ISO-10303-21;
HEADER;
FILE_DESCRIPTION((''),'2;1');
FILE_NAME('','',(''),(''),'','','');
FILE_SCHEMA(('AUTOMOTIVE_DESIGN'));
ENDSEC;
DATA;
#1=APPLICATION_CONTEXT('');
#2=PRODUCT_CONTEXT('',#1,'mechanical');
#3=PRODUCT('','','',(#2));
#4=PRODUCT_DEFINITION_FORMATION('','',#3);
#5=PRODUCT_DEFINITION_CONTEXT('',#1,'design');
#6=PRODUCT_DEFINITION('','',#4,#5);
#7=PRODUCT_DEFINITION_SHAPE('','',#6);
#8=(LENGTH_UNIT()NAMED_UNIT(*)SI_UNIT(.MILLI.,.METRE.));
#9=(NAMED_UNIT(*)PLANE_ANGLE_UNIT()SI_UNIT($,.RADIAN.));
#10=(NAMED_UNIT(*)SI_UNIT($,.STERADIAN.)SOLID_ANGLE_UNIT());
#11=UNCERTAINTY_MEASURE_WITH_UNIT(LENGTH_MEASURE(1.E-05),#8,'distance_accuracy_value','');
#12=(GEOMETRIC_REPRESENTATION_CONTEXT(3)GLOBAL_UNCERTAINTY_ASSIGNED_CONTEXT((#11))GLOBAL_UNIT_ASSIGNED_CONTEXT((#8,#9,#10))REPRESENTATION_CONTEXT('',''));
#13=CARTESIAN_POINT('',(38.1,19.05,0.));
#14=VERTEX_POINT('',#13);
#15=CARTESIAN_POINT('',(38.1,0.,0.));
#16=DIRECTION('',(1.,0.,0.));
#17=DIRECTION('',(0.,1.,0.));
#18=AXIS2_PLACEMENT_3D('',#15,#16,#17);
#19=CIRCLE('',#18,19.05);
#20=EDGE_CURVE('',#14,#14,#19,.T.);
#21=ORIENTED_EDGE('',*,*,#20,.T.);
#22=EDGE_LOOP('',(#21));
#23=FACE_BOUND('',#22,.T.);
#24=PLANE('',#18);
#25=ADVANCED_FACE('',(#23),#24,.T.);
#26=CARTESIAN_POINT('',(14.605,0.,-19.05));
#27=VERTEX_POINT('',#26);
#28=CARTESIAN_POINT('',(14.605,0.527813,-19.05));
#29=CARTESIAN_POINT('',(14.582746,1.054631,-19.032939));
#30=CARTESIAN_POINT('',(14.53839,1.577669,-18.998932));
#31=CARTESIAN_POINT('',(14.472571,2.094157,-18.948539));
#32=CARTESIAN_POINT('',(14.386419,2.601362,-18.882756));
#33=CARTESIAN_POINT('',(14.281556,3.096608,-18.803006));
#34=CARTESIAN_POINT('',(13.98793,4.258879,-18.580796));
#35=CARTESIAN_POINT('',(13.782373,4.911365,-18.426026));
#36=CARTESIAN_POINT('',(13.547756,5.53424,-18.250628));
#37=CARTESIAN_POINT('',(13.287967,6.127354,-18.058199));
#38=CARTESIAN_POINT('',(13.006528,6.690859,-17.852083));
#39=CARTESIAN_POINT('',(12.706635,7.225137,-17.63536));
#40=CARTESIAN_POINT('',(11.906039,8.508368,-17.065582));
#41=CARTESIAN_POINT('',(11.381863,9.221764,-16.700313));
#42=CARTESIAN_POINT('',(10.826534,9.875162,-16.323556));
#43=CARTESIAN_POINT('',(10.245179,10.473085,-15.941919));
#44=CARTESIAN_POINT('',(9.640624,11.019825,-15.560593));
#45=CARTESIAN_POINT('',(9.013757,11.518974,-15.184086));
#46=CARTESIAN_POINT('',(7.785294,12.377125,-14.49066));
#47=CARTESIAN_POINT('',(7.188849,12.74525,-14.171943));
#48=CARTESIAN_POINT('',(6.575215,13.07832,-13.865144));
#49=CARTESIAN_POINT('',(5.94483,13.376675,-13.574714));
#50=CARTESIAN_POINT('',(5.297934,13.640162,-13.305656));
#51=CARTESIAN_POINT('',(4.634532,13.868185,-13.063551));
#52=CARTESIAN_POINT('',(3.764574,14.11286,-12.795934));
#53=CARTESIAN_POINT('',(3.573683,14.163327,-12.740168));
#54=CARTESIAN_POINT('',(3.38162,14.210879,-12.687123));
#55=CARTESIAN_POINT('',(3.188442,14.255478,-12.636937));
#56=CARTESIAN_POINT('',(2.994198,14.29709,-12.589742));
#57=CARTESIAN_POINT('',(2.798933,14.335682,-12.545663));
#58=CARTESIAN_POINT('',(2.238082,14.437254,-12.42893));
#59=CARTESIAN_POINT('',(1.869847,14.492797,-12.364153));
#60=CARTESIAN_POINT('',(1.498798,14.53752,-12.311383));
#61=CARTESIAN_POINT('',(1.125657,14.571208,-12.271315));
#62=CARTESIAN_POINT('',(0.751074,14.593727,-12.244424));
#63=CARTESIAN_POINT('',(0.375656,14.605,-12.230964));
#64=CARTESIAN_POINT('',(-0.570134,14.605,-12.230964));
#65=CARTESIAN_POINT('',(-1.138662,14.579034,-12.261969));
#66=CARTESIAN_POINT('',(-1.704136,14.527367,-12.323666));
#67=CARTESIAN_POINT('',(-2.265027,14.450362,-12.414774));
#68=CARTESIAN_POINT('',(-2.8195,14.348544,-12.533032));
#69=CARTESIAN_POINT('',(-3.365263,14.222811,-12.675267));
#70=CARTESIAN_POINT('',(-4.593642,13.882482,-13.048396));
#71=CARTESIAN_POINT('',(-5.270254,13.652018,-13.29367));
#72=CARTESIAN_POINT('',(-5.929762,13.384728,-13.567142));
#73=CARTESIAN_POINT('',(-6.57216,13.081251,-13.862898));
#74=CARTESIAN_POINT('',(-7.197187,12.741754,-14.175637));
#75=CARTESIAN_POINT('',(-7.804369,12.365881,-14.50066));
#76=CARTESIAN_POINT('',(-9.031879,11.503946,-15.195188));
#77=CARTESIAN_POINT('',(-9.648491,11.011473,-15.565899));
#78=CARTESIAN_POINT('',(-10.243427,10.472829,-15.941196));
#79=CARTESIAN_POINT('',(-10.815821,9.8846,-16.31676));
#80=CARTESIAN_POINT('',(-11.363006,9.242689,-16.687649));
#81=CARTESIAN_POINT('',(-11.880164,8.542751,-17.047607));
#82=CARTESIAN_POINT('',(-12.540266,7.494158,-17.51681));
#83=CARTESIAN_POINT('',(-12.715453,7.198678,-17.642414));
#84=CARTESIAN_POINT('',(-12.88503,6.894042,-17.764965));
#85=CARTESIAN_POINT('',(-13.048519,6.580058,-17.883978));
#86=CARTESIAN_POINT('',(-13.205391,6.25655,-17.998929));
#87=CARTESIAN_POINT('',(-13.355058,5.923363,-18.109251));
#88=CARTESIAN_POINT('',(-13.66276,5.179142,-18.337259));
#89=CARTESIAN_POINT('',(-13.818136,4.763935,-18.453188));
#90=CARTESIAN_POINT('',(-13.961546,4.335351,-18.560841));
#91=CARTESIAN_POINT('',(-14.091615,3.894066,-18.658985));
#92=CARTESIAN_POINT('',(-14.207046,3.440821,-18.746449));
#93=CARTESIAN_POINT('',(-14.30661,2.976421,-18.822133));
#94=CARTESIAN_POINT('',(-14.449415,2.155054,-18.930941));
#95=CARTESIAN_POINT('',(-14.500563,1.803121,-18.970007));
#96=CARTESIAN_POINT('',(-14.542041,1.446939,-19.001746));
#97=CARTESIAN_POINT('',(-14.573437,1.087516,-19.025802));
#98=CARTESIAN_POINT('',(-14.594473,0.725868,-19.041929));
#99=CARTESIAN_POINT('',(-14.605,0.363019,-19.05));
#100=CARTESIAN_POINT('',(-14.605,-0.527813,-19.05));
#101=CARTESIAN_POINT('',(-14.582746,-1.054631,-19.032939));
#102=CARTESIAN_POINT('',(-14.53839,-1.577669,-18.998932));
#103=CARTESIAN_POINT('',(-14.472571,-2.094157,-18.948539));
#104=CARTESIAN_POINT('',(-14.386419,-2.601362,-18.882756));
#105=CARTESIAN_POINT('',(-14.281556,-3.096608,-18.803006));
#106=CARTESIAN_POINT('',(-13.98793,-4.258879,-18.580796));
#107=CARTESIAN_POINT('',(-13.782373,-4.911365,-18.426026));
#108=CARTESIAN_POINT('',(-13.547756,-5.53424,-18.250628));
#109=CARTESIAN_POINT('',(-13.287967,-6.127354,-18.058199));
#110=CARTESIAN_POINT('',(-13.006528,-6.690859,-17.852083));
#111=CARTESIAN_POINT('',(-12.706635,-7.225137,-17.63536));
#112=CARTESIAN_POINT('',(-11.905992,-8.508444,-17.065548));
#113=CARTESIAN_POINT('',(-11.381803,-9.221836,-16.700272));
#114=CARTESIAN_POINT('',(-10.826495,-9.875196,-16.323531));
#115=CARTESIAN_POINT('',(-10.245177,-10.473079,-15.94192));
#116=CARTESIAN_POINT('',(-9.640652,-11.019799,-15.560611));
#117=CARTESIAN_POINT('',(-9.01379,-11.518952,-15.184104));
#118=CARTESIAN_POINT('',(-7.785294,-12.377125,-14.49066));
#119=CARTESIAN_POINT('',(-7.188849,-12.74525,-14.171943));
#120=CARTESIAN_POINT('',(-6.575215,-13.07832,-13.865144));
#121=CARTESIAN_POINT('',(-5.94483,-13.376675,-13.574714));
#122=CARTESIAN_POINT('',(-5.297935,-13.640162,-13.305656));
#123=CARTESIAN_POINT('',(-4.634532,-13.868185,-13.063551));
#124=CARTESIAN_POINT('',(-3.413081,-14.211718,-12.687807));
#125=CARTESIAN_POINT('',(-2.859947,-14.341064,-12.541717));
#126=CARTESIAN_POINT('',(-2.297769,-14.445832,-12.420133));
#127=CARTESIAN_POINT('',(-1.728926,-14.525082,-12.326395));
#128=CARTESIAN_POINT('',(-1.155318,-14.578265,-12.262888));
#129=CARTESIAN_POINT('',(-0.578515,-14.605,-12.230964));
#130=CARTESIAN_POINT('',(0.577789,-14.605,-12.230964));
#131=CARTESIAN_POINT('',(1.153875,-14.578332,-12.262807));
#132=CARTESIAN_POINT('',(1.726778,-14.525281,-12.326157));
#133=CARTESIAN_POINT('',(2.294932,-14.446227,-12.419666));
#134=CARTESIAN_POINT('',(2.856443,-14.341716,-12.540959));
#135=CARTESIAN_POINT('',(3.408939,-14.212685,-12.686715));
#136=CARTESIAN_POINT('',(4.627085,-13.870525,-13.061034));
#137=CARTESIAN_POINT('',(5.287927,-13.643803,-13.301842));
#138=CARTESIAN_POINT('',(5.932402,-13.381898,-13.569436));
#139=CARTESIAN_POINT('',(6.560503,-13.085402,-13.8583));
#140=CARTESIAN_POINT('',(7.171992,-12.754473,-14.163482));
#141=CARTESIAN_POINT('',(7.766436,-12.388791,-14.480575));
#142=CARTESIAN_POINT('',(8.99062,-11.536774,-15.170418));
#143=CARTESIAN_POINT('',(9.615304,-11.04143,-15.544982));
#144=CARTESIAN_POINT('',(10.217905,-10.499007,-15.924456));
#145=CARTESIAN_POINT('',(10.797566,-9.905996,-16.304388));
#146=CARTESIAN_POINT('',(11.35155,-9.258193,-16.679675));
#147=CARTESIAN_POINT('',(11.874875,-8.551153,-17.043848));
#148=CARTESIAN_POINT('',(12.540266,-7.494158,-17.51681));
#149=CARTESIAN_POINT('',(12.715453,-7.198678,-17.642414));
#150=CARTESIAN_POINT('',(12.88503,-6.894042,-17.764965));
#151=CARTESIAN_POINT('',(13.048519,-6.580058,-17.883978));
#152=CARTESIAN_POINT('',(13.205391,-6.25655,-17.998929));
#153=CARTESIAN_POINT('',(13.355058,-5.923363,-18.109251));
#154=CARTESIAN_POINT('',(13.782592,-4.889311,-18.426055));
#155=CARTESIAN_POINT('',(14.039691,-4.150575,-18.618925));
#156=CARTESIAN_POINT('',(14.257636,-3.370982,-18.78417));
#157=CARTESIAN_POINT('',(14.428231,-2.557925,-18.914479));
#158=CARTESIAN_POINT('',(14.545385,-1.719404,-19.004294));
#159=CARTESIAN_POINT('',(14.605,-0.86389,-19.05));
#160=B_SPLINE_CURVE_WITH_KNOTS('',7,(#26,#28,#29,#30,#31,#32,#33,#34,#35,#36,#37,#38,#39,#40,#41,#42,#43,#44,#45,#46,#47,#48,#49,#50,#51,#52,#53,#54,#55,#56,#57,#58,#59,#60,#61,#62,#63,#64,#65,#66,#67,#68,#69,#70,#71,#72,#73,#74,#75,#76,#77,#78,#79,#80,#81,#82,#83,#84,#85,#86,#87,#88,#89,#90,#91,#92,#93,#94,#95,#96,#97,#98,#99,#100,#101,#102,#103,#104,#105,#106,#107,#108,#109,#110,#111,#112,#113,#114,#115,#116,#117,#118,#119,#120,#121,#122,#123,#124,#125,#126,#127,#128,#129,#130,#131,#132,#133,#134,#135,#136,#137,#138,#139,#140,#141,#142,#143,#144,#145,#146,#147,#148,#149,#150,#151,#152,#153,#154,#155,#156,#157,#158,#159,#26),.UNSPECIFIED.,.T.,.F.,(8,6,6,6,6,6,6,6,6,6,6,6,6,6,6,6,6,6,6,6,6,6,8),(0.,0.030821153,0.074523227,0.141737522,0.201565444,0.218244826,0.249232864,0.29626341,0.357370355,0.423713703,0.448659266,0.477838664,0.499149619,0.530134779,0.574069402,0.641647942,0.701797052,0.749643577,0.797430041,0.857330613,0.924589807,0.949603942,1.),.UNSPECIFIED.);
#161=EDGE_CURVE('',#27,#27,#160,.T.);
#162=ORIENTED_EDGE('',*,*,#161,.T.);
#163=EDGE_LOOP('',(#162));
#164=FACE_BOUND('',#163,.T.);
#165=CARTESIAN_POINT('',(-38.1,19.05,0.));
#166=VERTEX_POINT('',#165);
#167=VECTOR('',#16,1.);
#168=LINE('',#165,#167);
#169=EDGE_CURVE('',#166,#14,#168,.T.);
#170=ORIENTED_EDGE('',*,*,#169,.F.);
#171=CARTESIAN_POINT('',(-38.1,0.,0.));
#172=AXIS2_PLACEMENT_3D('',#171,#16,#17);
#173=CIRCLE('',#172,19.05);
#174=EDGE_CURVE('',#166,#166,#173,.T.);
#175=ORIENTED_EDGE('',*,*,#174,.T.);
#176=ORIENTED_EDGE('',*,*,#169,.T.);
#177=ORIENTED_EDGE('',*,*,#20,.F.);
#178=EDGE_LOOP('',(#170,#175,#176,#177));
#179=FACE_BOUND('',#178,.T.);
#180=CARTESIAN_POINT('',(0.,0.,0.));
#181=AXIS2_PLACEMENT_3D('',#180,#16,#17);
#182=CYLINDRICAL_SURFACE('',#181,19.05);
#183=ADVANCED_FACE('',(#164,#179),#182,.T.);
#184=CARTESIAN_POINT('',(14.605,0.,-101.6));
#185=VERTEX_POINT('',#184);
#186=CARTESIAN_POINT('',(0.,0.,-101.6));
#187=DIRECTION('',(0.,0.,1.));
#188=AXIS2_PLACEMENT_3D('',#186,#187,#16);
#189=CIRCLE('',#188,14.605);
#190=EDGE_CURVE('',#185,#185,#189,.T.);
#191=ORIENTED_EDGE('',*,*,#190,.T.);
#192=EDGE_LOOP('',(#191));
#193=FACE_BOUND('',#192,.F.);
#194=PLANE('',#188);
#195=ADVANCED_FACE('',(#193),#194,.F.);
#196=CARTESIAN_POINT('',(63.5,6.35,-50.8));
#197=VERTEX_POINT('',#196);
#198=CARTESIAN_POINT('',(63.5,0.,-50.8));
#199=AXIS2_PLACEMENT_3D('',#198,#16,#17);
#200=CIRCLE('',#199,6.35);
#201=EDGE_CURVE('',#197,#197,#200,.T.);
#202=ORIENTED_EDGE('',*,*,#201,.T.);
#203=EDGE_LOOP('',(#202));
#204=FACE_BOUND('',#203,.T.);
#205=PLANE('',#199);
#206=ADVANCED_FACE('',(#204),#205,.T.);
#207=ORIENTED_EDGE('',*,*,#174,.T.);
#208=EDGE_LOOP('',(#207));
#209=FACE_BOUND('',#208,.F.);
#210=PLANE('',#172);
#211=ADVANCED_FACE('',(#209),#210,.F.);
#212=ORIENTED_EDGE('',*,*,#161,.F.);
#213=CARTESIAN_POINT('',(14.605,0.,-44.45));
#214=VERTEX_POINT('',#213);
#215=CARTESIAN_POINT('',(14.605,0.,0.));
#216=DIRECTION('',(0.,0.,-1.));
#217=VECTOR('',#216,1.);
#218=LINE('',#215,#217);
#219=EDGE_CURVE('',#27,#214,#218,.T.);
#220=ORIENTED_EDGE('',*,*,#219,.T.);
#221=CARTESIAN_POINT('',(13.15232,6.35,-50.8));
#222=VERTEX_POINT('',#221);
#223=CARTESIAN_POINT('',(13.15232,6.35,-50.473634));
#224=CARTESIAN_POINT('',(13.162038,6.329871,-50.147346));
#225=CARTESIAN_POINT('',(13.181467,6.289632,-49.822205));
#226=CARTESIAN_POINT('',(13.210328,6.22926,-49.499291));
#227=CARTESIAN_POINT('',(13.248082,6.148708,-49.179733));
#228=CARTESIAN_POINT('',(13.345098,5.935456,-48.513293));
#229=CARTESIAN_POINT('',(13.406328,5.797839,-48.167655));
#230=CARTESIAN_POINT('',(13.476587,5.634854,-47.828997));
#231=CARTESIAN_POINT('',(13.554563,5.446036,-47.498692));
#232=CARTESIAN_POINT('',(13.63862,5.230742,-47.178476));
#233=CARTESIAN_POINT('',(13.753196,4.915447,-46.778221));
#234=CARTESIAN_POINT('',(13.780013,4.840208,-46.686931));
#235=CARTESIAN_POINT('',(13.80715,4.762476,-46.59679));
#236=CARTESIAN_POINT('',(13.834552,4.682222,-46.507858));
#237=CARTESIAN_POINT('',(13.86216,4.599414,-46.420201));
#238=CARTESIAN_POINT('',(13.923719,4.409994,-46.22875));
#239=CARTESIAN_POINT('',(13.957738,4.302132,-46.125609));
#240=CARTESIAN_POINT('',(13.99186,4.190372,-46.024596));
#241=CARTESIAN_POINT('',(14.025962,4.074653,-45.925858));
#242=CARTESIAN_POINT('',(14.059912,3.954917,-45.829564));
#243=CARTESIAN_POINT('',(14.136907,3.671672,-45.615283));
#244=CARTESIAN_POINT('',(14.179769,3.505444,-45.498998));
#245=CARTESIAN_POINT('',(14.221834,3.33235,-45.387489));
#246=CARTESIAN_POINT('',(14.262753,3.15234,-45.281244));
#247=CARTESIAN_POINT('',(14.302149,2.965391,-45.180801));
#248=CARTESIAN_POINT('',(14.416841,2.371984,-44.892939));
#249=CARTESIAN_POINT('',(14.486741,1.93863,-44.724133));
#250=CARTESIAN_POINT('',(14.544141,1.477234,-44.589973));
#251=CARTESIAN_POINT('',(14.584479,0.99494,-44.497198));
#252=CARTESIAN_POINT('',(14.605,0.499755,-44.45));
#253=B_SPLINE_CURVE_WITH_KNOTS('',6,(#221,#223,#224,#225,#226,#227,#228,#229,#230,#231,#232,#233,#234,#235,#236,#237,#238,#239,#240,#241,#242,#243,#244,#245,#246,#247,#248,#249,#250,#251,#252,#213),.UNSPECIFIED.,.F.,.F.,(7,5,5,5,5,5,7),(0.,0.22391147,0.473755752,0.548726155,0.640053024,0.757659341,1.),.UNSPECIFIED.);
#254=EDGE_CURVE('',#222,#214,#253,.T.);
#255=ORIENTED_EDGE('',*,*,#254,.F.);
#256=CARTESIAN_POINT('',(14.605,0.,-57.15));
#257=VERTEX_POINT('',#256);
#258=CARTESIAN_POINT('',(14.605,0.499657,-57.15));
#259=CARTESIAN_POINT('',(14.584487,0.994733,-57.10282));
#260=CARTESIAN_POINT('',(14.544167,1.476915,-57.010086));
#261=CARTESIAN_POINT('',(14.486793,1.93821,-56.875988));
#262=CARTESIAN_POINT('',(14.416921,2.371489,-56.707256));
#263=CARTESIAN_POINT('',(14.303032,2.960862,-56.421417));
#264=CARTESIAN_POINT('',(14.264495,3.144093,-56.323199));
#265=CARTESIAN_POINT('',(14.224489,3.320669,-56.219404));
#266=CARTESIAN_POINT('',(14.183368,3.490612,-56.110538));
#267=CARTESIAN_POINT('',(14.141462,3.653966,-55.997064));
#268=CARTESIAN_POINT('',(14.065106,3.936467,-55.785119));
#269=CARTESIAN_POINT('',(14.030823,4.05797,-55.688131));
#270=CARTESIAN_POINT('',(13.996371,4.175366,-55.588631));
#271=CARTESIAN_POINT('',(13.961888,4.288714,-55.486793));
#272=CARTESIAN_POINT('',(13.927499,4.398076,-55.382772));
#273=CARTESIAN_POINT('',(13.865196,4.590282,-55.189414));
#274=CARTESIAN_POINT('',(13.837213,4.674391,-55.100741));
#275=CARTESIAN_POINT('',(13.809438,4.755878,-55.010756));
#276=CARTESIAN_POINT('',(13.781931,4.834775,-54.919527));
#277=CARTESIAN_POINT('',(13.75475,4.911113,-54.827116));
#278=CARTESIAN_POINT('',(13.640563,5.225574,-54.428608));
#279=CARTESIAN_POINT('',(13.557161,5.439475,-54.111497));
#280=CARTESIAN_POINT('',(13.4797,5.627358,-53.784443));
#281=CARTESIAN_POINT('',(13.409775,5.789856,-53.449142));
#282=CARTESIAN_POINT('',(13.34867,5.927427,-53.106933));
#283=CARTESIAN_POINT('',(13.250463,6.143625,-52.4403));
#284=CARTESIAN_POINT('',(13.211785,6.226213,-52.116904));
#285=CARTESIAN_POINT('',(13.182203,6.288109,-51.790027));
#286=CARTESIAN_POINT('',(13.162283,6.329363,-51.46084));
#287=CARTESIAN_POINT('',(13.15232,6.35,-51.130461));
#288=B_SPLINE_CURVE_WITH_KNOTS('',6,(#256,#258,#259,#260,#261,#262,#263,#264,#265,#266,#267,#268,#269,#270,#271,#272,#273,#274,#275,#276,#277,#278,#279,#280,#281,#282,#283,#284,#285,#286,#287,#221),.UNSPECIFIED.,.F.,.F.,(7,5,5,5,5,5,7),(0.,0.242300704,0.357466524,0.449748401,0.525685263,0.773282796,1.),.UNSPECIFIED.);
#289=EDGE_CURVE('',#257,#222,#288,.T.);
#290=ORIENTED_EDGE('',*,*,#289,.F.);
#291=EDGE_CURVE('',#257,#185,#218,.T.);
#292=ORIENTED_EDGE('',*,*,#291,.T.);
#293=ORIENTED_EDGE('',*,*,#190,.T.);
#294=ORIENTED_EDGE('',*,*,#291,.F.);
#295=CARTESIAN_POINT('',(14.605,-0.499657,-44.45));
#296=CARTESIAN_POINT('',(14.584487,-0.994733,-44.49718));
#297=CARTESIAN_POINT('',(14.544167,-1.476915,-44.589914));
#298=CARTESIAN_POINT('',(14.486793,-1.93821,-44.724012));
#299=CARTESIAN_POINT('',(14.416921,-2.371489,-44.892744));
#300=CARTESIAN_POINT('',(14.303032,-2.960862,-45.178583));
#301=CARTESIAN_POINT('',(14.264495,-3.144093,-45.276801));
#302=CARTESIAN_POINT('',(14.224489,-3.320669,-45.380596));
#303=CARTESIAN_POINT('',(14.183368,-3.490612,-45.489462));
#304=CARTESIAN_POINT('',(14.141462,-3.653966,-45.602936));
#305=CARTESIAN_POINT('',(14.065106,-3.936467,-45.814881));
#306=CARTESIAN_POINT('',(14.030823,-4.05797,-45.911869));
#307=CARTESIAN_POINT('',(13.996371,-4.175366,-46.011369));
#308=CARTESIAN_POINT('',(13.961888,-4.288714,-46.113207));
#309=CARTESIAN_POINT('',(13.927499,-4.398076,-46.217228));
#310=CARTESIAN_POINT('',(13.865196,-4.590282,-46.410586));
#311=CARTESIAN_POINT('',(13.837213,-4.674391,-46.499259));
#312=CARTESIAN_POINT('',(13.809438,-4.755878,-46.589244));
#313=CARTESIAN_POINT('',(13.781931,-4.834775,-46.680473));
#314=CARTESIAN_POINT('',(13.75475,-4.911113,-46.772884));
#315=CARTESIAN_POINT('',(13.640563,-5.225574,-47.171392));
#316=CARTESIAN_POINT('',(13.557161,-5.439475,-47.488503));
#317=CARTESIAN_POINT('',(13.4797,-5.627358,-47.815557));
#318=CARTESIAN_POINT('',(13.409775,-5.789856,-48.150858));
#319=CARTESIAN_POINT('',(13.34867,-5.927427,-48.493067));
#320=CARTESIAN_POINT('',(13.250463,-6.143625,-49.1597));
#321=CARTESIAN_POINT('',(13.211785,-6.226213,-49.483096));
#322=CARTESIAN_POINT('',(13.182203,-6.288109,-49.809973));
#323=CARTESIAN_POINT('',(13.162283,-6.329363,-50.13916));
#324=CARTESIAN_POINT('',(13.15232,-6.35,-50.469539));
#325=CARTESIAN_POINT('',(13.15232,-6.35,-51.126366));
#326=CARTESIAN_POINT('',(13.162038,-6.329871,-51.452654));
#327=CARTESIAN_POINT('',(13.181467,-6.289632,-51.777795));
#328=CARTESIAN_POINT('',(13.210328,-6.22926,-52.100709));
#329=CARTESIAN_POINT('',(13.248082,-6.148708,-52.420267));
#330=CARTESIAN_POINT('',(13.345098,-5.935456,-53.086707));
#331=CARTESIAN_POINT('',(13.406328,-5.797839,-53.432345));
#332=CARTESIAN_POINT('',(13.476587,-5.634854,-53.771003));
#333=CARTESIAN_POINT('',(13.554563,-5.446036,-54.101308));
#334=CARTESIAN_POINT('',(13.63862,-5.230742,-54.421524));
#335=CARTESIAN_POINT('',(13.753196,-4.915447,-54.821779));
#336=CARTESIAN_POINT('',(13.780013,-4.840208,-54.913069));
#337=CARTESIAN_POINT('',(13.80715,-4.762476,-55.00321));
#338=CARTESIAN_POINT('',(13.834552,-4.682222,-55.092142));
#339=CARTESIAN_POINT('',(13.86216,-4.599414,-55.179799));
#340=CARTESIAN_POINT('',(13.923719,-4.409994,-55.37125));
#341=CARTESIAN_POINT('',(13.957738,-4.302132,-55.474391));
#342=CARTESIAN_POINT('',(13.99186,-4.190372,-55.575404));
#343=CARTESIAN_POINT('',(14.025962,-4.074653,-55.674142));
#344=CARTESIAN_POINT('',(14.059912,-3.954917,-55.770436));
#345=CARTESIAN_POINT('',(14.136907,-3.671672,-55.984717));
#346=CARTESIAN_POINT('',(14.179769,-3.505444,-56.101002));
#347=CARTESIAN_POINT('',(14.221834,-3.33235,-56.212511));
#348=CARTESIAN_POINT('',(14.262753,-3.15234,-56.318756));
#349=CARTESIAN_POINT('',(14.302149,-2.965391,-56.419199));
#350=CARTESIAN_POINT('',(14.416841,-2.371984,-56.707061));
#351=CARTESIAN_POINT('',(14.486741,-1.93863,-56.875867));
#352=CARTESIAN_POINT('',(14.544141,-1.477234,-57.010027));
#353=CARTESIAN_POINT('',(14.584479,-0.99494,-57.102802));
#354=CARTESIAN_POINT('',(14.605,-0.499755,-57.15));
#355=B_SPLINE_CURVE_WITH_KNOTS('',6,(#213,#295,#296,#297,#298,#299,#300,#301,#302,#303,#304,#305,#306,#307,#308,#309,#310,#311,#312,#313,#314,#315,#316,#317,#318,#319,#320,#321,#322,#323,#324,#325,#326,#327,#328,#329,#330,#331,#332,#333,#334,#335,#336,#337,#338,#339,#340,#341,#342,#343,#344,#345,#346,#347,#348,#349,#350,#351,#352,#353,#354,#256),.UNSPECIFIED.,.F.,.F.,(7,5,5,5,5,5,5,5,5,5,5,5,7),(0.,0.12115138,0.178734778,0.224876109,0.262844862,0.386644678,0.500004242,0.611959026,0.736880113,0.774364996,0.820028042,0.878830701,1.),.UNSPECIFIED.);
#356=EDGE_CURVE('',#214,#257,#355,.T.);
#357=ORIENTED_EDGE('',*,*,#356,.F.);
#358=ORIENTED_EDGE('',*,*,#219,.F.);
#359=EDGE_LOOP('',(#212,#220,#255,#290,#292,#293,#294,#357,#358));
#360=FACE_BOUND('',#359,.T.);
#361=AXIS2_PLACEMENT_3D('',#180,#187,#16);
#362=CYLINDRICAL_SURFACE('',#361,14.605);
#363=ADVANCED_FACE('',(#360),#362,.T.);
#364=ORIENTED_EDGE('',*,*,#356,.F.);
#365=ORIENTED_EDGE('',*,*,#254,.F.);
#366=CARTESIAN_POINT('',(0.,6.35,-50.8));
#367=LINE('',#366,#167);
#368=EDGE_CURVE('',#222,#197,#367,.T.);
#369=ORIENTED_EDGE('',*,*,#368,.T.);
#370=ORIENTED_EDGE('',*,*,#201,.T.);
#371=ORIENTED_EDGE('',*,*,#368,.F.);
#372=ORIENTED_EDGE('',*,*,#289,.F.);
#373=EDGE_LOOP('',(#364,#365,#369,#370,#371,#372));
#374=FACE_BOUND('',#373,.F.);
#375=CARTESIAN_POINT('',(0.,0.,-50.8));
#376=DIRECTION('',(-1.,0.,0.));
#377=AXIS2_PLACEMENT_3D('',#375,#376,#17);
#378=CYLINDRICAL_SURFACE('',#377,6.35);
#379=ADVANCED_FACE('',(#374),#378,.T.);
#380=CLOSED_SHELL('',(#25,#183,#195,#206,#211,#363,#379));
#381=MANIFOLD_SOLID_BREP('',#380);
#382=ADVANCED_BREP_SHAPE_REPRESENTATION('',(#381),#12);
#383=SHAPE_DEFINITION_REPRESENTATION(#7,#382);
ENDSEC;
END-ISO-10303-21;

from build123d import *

# Parameters (mm, degrees)
F0_R     = 19.05
F1_DEPTH = 38.1
F2_R     = 14.605
F3_DEPTH = 101.6
F4_R     = 6.35
F5_DEPTH = 63.5


with BuildPart() as f1:
    # F0 (on Right) → F1 (new body, symmetric)
    with BuildSketch(Plane.YZ):
        Circle(F0_R)
    extrude(amount=F1_DEPTH, both=True)

    # F2 (on Top) → F3 (join)
    with BuildSketch(Plane.XY):
        Circle(F2_R)
    extrude(amount=-F3_DEPTH)

    # F4 (on Right) → F5 (join)
    with BuildSketch(Plane.YZ):
        with Locations((0, -50.8)):
            Circle(F4_R)
    extrude(amount=F5_DEPTH)


solid = f1.part
